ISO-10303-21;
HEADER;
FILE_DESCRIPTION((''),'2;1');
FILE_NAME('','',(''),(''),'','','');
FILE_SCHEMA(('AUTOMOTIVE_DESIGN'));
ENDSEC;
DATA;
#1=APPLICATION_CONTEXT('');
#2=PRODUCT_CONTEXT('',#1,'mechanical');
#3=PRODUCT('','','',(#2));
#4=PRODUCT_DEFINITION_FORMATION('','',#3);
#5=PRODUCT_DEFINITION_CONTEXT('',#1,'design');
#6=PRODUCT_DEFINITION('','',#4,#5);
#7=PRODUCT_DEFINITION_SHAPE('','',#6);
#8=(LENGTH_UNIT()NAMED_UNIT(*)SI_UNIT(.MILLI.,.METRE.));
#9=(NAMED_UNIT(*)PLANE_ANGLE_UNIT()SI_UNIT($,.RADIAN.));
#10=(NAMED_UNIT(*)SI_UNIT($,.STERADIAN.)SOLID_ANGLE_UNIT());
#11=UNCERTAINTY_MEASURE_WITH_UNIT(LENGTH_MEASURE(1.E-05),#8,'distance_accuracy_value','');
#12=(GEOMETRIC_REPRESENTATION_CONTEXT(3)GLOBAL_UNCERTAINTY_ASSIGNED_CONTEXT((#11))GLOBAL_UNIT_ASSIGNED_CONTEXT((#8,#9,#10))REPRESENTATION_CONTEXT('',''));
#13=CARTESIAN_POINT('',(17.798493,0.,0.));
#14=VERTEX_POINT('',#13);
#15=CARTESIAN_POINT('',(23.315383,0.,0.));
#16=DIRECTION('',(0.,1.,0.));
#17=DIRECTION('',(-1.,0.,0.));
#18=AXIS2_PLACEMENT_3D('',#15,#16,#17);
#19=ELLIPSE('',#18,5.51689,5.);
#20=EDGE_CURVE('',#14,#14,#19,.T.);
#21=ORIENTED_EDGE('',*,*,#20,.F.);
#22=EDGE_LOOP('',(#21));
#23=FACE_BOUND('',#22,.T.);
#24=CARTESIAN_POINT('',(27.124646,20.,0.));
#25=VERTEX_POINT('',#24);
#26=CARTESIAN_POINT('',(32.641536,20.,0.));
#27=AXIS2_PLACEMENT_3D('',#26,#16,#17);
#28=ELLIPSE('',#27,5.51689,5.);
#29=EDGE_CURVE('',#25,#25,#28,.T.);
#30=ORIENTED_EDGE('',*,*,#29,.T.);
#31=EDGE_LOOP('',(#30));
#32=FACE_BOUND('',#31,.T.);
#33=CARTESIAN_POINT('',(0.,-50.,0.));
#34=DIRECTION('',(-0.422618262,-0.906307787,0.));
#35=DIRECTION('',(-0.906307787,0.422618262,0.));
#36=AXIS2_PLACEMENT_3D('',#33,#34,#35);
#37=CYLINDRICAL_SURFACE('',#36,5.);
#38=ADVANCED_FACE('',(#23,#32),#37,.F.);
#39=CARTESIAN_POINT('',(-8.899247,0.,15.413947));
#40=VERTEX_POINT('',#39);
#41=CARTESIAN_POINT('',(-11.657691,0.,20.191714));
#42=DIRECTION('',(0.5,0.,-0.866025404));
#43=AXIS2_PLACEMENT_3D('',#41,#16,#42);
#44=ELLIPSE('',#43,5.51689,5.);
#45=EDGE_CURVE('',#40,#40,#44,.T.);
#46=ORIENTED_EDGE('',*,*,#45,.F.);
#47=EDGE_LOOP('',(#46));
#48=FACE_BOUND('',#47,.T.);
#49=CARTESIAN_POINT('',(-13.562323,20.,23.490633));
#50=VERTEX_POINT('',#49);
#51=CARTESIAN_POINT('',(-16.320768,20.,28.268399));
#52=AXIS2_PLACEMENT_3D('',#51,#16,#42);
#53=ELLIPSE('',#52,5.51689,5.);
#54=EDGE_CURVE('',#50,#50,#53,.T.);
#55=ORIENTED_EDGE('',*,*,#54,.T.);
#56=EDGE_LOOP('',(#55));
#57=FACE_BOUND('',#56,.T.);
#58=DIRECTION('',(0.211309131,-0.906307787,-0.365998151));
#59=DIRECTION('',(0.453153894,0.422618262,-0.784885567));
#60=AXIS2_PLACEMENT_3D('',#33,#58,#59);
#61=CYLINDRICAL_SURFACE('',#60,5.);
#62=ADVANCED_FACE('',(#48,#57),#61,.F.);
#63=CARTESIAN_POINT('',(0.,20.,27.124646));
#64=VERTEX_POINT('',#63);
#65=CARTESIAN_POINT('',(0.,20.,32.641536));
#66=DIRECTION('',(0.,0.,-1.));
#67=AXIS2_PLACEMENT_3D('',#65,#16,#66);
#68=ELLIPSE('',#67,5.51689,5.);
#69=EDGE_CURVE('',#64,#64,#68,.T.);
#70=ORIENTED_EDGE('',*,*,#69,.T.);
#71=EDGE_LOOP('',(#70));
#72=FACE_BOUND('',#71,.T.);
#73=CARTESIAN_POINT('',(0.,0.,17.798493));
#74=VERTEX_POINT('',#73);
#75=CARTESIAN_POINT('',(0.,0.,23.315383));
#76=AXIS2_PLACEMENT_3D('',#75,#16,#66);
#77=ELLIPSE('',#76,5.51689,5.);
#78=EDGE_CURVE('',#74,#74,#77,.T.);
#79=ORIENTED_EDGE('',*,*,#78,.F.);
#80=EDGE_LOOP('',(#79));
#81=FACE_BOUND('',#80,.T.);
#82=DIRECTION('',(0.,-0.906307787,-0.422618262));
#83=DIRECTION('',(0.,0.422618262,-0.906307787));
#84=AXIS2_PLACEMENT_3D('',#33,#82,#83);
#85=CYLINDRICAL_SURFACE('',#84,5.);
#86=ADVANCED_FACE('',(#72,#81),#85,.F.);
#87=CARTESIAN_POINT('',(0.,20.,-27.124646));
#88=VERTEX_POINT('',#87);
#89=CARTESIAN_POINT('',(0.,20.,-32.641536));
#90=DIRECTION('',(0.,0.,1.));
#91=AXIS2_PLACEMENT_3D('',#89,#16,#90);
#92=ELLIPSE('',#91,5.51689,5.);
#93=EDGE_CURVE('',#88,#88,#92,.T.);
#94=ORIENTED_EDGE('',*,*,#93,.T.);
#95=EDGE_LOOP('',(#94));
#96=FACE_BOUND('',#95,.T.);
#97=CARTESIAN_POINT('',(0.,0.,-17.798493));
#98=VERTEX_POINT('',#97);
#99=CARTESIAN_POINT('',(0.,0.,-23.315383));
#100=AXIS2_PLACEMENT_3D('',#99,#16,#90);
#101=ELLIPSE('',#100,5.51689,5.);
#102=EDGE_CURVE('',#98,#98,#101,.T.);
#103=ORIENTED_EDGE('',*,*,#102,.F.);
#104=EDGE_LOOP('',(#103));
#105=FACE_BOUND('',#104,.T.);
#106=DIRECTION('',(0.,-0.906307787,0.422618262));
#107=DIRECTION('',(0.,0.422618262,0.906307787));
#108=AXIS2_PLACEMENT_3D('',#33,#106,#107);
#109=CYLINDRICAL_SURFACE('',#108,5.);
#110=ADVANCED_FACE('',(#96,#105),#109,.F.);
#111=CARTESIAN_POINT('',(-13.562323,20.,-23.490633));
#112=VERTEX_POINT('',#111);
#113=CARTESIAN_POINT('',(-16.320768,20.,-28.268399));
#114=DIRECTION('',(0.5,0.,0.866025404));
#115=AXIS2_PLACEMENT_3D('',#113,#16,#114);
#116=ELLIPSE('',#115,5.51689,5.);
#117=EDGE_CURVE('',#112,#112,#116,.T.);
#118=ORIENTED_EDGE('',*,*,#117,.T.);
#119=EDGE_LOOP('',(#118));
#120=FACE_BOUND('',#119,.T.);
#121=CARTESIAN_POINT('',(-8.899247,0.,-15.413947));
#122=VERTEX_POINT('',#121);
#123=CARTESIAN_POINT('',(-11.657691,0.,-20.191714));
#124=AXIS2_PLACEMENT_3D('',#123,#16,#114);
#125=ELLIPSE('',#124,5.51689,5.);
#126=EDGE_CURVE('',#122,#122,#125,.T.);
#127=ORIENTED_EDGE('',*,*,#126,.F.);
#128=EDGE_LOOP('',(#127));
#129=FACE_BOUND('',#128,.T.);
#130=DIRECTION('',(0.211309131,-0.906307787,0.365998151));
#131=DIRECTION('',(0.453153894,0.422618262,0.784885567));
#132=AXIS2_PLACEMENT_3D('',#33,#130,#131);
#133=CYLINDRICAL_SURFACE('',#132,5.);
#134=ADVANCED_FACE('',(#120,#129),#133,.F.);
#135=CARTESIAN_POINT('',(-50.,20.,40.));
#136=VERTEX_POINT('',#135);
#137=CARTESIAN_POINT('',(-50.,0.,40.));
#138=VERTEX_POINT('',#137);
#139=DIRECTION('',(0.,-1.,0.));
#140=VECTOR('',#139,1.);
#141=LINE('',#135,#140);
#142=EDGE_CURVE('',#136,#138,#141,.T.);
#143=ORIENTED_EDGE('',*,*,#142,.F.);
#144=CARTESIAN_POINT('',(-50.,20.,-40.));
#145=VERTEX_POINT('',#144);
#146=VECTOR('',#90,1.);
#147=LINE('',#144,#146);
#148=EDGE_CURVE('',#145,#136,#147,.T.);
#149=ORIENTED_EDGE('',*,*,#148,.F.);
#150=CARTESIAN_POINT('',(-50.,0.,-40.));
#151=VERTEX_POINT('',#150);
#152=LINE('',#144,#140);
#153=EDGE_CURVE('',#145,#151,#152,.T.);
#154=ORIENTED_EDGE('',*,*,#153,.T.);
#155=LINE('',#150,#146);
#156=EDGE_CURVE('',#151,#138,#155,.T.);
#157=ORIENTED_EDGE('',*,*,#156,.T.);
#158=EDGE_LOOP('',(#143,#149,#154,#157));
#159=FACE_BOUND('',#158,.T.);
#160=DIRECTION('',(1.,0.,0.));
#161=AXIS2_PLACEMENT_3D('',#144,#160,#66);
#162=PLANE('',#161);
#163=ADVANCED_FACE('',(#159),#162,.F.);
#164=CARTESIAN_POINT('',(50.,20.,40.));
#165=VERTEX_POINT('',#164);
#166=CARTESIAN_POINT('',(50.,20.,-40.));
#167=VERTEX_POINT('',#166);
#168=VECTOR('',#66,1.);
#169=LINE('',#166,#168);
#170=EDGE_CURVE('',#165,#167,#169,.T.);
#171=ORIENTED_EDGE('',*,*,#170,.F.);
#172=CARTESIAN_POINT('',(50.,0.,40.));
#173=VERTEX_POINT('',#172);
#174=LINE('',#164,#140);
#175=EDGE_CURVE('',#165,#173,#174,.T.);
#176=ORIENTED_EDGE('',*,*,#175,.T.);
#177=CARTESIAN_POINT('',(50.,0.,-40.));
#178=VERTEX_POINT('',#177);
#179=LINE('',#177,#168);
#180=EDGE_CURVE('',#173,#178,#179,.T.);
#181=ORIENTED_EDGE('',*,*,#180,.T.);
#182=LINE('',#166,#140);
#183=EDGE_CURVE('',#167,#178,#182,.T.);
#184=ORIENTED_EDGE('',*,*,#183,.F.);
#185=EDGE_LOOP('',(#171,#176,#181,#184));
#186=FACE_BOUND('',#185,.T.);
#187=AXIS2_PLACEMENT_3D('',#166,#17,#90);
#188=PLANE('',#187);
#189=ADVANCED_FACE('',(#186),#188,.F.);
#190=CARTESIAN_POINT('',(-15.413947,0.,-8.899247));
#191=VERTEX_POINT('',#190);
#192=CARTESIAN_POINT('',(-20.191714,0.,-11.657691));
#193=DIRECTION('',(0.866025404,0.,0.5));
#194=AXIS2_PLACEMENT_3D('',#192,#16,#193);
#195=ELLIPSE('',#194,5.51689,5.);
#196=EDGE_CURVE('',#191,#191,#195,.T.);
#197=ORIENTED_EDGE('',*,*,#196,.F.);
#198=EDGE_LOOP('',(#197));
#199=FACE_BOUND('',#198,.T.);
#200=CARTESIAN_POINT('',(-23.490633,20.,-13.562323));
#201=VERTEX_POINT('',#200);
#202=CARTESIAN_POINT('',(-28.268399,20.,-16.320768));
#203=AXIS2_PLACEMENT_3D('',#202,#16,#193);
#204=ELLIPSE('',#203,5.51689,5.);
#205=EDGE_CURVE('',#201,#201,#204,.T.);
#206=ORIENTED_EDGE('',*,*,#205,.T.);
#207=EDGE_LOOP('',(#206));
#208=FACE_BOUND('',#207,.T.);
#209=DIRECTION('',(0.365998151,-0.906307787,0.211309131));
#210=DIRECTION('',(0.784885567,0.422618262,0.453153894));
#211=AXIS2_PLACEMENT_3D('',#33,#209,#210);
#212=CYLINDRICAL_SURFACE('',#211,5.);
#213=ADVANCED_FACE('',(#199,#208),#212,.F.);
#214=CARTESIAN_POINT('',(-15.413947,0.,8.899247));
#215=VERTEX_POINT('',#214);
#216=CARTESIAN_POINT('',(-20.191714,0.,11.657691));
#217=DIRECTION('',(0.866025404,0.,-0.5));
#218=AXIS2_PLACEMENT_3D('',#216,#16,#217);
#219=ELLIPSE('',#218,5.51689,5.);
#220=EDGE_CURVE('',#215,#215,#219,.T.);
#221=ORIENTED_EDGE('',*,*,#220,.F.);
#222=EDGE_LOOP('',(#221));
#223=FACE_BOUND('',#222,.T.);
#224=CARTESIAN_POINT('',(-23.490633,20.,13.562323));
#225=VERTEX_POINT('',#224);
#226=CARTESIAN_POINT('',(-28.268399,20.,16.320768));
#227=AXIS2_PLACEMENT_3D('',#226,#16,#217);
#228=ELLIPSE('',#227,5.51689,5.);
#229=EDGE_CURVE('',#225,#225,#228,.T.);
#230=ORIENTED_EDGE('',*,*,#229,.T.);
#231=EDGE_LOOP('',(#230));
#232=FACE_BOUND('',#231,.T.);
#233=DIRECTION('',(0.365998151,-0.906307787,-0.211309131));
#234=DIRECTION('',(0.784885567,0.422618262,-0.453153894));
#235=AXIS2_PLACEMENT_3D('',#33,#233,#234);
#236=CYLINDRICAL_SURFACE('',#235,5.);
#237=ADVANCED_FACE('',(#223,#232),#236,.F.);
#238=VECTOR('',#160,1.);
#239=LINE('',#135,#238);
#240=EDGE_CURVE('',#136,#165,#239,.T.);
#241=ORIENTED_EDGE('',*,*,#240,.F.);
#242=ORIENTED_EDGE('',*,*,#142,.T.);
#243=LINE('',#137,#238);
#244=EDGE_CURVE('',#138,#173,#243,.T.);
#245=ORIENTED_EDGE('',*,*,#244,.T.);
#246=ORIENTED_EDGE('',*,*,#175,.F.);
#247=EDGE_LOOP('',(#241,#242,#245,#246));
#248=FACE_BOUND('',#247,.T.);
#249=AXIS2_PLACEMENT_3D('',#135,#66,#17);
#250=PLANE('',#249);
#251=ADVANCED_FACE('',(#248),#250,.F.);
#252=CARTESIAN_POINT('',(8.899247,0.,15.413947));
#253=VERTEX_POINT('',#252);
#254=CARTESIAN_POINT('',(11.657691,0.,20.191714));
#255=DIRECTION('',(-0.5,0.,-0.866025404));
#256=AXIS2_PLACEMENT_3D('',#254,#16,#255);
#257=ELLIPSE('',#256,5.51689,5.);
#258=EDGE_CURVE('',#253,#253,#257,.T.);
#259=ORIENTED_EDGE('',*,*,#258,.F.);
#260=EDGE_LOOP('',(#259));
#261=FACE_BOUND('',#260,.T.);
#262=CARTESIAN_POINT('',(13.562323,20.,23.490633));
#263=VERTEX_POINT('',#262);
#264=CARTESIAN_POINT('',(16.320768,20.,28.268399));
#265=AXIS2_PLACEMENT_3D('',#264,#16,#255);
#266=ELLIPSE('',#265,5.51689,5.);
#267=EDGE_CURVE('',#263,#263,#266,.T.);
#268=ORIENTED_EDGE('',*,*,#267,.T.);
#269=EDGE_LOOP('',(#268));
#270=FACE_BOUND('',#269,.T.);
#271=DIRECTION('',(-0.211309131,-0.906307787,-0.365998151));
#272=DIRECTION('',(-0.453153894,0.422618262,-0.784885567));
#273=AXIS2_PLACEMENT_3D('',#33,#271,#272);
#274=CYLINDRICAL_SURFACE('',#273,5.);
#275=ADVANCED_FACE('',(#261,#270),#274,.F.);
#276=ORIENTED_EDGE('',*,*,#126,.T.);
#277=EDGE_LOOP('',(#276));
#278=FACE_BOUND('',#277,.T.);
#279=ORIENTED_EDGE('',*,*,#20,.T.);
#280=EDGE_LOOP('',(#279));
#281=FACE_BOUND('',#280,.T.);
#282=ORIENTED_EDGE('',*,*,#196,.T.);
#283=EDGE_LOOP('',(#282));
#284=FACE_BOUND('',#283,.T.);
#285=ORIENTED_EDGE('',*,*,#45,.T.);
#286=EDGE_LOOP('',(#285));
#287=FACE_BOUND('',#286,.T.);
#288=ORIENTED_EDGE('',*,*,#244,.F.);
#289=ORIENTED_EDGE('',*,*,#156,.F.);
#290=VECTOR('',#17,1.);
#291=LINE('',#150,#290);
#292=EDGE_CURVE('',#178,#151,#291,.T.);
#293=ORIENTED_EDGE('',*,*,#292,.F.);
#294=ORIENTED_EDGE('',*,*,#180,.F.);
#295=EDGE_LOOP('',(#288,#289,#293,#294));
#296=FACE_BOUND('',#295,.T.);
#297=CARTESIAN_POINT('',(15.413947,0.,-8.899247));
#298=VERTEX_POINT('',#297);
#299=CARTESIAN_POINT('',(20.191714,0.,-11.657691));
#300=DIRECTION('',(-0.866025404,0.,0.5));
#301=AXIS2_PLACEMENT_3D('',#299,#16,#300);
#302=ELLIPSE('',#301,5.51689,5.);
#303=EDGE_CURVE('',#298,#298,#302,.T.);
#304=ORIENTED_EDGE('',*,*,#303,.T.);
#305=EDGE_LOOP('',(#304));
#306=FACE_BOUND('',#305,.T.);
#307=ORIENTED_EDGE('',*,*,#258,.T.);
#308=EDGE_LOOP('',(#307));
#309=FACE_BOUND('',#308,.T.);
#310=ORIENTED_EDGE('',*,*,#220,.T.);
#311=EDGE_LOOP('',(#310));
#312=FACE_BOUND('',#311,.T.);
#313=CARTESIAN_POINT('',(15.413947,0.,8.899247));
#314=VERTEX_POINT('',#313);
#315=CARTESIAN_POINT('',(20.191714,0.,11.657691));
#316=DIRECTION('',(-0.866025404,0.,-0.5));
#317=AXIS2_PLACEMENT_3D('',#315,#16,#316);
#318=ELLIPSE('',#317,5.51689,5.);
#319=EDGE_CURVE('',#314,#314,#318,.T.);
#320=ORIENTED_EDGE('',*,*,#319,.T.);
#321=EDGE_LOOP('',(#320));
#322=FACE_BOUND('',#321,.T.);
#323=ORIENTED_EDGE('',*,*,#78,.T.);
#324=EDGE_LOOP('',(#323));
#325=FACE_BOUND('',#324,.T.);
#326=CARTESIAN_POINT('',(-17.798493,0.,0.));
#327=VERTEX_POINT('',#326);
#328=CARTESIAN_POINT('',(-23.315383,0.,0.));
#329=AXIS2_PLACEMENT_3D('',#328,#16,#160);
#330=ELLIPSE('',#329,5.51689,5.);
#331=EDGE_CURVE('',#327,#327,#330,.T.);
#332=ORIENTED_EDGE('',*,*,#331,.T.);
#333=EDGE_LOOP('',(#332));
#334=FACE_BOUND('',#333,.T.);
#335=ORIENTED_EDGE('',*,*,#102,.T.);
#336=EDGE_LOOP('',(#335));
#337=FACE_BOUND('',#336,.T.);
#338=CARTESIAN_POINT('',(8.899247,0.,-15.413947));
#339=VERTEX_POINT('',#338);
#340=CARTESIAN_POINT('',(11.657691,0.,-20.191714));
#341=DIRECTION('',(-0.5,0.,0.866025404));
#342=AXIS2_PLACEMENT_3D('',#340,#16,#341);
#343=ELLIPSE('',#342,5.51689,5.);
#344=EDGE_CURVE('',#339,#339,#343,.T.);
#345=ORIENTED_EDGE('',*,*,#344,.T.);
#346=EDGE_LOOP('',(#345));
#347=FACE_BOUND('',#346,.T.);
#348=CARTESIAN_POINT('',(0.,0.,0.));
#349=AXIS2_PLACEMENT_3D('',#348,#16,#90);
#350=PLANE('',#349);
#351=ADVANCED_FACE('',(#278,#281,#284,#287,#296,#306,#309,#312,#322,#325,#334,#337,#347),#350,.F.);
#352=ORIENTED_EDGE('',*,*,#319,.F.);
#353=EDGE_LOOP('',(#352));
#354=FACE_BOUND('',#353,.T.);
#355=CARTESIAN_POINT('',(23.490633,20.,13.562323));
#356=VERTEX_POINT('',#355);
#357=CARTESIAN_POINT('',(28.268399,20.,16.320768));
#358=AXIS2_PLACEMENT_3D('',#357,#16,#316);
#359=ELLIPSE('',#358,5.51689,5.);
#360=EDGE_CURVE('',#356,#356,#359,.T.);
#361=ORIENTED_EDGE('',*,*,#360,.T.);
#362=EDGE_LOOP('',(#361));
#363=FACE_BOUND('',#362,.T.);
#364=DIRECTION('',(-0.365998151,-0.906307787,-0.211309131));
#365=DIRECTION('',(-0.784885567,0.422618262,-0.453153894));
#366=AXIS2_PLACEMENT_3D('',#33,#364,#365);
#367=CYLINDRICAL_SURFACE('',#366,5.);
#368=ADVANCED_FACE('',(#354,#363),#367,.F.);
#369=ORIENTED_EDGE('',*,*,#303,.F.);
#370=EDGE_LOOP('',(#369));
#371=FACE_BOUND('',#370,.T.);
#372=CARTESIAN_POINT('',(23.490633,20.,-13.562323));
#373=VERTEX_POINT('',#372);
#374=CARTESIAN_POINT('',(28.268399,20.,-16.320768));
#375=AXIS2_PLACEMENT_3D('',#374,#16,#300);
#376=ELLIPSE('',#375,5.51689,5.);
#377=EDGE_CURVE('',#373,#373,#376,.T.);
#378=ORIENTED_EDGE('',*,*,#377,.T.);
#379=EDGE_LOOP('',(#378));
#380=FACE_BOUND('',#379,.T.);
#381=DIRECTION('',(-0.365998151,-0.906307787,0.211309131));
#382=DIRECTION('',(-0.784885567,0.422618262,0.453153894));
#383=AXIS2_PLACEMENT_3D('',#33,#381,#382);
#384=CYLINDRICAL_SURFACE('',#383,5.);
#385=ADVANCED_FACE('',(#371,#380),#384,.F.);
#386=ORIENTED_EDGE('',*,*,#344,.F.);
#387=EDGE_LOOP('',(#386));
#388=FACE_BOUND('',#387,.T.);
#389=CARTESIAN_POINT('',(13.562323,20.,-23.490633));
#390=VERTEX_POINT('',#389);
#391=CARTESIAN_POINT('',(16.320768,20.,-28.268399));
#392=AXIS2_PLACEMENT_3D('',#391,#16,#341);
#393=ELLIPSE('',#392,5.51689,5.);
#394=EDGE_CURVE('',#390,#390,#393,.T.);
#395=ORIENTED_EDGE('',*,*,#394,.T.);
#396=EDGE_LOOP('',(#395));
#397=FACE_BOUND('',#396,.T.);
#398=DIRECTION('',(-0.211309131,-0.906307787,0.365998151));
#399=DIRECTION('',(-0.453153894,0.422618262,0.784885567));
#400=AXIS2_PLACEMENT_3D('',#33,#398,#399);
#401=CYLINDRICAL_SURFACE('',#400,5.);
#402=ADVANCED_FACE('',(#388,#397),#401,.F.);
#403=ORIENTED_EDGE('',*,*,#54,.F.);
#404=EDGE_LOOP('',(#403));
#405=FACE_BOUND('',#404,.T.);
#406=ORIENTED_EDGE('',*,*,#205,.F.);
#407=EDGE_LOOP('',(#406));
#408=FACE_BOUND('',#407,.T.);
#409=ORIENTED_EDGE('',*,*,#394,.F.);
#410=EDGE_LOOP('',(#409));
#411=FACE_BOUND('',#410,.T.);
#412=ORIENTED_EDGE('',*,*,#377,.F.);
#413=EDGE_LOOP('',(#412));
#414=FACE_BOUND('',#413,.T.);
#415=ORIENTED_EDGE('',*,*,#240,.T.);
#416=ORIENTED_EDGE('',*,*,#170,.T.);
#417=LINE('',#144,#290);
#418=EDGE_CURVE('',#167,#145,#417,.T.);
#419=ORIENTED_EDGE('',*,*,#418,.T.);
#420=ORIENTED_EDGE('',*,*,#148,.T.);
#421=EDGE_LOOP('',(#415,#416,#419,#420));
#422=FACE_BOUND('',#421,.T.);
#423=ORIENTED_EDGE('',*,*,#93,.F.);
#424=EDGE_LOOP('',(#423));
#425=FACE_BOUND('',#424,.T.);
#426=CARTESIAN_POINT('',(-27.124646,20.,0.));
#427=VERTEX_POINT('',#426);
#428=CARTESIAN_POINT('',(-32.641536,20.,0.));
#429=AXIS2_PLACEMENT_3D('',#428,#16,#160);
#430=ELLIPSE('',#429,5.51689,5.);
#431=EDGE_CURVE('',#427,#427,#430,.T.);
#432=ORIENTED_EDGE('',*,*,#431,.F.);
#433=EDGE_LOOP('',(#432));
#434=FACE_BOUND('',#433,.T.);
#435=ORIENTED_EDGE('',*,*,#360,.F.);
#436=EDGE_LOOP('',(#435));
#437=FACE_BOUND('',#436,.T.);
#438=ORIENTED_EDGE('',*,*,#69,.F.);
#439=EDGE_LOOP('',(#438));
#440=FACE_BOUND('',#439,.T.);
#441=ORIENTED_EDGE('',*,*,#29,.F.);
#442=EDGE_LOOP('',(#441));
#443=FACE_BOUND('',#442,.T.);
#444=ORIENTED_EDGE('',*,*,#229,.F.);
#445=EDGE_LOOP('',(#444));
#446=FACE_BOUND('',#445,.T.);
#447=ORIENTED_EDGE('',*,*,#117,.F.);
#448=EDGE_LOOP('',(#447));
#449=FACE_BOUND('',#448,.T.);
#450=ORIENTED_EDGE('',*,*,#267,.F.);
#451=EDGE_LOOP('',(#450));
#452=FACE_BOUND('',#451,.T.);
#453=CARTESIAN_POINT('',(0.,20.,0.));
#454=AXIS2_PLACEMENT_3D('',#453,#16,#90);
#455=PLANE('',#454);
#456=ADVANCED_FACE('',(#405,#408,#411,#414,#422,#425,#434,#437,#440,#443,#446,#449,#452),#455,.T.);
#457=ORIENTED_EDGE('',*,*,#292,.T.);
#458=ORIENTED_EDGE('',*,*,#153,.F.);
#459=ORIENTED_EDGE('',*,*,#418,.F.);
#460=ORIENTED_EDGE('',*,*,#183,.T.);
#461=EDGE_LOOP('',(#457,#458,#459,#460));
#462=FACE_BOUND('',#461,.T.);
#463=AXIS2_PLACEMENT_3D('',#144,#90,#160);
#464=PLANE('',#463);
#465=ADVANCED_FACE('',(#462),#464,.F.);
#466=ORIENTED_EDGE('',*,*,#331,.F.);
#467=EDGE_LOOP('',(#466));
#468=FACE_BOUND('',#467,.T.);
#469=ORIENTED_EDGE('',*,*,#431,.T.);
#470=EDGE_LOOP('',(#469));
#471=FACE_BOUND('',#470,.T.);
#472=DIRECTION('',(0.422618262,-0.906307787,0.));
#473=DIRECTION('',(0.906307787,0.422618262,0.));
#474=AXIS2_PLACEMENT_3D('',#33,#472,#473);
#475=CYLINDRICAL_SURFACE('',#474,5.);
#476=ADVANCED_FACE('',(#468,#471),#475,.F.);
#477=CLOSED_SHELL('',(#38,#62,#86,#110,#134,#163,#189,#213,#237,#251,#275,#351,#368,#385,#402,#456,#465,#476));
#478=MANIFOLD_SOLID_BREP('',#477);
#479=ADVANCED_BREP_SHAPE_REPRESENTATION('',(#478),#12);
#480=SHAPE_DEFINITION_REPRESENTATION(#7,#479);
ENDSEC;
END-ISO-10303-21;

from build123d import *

# Parameters (mm, degrees)
SKIZZE1_W                       = 100
SKIZZE1_H                       = 80
AUFSATZ_LINEAR_AUSTRAGEN1_DEPTH = 20
KREISMUSTER1_COUNT              = 12


with BuildPart() as part:
    # Skizze1 → Aufsatz-Linear austragen1 (new body)
    with BuildSketch(Plane(origin=(0, 0, 0), x_dir=(1, 0, 0), z_dir=(0, 1, 0))):
        Rectangle(SKIZZE1_W, SKIZZE1_H)
    extrude(amount=AUFSATZ_LINEAR_AUSTRAGEN1_DEPTH)

    # Skizze2 → Schnitt-Rotation1 (revolve, cut)
    with BuildSketch(Plane.XY):
        Polygon((-33.62688673, 22.113091309), (-22.330032248, -2.113091309), (-17.798493313, 0), (-29.095347795, 24.226182617), align=None)
    schnitt_rotation1 = revolve(axis=Axis((0, -50, 0), (-0.422618262, 0.906307787, 0)), mode=Mode.SUBTRACT)

    # Kreismuster1: Schnitt-Rotation1 ×12 about axis
    kreismuster1_axis = Axis((0, 0, 0), (0, 1, 0))
    for i in range(1, KREISMUSTER1_COUNT):
        add(schnitt_rotation1.rotate(kreismuster1_axis, i * 360 / KREISMUSTER1_COUNT), mode=Mode.SUBTRACT)


solid = part.part
